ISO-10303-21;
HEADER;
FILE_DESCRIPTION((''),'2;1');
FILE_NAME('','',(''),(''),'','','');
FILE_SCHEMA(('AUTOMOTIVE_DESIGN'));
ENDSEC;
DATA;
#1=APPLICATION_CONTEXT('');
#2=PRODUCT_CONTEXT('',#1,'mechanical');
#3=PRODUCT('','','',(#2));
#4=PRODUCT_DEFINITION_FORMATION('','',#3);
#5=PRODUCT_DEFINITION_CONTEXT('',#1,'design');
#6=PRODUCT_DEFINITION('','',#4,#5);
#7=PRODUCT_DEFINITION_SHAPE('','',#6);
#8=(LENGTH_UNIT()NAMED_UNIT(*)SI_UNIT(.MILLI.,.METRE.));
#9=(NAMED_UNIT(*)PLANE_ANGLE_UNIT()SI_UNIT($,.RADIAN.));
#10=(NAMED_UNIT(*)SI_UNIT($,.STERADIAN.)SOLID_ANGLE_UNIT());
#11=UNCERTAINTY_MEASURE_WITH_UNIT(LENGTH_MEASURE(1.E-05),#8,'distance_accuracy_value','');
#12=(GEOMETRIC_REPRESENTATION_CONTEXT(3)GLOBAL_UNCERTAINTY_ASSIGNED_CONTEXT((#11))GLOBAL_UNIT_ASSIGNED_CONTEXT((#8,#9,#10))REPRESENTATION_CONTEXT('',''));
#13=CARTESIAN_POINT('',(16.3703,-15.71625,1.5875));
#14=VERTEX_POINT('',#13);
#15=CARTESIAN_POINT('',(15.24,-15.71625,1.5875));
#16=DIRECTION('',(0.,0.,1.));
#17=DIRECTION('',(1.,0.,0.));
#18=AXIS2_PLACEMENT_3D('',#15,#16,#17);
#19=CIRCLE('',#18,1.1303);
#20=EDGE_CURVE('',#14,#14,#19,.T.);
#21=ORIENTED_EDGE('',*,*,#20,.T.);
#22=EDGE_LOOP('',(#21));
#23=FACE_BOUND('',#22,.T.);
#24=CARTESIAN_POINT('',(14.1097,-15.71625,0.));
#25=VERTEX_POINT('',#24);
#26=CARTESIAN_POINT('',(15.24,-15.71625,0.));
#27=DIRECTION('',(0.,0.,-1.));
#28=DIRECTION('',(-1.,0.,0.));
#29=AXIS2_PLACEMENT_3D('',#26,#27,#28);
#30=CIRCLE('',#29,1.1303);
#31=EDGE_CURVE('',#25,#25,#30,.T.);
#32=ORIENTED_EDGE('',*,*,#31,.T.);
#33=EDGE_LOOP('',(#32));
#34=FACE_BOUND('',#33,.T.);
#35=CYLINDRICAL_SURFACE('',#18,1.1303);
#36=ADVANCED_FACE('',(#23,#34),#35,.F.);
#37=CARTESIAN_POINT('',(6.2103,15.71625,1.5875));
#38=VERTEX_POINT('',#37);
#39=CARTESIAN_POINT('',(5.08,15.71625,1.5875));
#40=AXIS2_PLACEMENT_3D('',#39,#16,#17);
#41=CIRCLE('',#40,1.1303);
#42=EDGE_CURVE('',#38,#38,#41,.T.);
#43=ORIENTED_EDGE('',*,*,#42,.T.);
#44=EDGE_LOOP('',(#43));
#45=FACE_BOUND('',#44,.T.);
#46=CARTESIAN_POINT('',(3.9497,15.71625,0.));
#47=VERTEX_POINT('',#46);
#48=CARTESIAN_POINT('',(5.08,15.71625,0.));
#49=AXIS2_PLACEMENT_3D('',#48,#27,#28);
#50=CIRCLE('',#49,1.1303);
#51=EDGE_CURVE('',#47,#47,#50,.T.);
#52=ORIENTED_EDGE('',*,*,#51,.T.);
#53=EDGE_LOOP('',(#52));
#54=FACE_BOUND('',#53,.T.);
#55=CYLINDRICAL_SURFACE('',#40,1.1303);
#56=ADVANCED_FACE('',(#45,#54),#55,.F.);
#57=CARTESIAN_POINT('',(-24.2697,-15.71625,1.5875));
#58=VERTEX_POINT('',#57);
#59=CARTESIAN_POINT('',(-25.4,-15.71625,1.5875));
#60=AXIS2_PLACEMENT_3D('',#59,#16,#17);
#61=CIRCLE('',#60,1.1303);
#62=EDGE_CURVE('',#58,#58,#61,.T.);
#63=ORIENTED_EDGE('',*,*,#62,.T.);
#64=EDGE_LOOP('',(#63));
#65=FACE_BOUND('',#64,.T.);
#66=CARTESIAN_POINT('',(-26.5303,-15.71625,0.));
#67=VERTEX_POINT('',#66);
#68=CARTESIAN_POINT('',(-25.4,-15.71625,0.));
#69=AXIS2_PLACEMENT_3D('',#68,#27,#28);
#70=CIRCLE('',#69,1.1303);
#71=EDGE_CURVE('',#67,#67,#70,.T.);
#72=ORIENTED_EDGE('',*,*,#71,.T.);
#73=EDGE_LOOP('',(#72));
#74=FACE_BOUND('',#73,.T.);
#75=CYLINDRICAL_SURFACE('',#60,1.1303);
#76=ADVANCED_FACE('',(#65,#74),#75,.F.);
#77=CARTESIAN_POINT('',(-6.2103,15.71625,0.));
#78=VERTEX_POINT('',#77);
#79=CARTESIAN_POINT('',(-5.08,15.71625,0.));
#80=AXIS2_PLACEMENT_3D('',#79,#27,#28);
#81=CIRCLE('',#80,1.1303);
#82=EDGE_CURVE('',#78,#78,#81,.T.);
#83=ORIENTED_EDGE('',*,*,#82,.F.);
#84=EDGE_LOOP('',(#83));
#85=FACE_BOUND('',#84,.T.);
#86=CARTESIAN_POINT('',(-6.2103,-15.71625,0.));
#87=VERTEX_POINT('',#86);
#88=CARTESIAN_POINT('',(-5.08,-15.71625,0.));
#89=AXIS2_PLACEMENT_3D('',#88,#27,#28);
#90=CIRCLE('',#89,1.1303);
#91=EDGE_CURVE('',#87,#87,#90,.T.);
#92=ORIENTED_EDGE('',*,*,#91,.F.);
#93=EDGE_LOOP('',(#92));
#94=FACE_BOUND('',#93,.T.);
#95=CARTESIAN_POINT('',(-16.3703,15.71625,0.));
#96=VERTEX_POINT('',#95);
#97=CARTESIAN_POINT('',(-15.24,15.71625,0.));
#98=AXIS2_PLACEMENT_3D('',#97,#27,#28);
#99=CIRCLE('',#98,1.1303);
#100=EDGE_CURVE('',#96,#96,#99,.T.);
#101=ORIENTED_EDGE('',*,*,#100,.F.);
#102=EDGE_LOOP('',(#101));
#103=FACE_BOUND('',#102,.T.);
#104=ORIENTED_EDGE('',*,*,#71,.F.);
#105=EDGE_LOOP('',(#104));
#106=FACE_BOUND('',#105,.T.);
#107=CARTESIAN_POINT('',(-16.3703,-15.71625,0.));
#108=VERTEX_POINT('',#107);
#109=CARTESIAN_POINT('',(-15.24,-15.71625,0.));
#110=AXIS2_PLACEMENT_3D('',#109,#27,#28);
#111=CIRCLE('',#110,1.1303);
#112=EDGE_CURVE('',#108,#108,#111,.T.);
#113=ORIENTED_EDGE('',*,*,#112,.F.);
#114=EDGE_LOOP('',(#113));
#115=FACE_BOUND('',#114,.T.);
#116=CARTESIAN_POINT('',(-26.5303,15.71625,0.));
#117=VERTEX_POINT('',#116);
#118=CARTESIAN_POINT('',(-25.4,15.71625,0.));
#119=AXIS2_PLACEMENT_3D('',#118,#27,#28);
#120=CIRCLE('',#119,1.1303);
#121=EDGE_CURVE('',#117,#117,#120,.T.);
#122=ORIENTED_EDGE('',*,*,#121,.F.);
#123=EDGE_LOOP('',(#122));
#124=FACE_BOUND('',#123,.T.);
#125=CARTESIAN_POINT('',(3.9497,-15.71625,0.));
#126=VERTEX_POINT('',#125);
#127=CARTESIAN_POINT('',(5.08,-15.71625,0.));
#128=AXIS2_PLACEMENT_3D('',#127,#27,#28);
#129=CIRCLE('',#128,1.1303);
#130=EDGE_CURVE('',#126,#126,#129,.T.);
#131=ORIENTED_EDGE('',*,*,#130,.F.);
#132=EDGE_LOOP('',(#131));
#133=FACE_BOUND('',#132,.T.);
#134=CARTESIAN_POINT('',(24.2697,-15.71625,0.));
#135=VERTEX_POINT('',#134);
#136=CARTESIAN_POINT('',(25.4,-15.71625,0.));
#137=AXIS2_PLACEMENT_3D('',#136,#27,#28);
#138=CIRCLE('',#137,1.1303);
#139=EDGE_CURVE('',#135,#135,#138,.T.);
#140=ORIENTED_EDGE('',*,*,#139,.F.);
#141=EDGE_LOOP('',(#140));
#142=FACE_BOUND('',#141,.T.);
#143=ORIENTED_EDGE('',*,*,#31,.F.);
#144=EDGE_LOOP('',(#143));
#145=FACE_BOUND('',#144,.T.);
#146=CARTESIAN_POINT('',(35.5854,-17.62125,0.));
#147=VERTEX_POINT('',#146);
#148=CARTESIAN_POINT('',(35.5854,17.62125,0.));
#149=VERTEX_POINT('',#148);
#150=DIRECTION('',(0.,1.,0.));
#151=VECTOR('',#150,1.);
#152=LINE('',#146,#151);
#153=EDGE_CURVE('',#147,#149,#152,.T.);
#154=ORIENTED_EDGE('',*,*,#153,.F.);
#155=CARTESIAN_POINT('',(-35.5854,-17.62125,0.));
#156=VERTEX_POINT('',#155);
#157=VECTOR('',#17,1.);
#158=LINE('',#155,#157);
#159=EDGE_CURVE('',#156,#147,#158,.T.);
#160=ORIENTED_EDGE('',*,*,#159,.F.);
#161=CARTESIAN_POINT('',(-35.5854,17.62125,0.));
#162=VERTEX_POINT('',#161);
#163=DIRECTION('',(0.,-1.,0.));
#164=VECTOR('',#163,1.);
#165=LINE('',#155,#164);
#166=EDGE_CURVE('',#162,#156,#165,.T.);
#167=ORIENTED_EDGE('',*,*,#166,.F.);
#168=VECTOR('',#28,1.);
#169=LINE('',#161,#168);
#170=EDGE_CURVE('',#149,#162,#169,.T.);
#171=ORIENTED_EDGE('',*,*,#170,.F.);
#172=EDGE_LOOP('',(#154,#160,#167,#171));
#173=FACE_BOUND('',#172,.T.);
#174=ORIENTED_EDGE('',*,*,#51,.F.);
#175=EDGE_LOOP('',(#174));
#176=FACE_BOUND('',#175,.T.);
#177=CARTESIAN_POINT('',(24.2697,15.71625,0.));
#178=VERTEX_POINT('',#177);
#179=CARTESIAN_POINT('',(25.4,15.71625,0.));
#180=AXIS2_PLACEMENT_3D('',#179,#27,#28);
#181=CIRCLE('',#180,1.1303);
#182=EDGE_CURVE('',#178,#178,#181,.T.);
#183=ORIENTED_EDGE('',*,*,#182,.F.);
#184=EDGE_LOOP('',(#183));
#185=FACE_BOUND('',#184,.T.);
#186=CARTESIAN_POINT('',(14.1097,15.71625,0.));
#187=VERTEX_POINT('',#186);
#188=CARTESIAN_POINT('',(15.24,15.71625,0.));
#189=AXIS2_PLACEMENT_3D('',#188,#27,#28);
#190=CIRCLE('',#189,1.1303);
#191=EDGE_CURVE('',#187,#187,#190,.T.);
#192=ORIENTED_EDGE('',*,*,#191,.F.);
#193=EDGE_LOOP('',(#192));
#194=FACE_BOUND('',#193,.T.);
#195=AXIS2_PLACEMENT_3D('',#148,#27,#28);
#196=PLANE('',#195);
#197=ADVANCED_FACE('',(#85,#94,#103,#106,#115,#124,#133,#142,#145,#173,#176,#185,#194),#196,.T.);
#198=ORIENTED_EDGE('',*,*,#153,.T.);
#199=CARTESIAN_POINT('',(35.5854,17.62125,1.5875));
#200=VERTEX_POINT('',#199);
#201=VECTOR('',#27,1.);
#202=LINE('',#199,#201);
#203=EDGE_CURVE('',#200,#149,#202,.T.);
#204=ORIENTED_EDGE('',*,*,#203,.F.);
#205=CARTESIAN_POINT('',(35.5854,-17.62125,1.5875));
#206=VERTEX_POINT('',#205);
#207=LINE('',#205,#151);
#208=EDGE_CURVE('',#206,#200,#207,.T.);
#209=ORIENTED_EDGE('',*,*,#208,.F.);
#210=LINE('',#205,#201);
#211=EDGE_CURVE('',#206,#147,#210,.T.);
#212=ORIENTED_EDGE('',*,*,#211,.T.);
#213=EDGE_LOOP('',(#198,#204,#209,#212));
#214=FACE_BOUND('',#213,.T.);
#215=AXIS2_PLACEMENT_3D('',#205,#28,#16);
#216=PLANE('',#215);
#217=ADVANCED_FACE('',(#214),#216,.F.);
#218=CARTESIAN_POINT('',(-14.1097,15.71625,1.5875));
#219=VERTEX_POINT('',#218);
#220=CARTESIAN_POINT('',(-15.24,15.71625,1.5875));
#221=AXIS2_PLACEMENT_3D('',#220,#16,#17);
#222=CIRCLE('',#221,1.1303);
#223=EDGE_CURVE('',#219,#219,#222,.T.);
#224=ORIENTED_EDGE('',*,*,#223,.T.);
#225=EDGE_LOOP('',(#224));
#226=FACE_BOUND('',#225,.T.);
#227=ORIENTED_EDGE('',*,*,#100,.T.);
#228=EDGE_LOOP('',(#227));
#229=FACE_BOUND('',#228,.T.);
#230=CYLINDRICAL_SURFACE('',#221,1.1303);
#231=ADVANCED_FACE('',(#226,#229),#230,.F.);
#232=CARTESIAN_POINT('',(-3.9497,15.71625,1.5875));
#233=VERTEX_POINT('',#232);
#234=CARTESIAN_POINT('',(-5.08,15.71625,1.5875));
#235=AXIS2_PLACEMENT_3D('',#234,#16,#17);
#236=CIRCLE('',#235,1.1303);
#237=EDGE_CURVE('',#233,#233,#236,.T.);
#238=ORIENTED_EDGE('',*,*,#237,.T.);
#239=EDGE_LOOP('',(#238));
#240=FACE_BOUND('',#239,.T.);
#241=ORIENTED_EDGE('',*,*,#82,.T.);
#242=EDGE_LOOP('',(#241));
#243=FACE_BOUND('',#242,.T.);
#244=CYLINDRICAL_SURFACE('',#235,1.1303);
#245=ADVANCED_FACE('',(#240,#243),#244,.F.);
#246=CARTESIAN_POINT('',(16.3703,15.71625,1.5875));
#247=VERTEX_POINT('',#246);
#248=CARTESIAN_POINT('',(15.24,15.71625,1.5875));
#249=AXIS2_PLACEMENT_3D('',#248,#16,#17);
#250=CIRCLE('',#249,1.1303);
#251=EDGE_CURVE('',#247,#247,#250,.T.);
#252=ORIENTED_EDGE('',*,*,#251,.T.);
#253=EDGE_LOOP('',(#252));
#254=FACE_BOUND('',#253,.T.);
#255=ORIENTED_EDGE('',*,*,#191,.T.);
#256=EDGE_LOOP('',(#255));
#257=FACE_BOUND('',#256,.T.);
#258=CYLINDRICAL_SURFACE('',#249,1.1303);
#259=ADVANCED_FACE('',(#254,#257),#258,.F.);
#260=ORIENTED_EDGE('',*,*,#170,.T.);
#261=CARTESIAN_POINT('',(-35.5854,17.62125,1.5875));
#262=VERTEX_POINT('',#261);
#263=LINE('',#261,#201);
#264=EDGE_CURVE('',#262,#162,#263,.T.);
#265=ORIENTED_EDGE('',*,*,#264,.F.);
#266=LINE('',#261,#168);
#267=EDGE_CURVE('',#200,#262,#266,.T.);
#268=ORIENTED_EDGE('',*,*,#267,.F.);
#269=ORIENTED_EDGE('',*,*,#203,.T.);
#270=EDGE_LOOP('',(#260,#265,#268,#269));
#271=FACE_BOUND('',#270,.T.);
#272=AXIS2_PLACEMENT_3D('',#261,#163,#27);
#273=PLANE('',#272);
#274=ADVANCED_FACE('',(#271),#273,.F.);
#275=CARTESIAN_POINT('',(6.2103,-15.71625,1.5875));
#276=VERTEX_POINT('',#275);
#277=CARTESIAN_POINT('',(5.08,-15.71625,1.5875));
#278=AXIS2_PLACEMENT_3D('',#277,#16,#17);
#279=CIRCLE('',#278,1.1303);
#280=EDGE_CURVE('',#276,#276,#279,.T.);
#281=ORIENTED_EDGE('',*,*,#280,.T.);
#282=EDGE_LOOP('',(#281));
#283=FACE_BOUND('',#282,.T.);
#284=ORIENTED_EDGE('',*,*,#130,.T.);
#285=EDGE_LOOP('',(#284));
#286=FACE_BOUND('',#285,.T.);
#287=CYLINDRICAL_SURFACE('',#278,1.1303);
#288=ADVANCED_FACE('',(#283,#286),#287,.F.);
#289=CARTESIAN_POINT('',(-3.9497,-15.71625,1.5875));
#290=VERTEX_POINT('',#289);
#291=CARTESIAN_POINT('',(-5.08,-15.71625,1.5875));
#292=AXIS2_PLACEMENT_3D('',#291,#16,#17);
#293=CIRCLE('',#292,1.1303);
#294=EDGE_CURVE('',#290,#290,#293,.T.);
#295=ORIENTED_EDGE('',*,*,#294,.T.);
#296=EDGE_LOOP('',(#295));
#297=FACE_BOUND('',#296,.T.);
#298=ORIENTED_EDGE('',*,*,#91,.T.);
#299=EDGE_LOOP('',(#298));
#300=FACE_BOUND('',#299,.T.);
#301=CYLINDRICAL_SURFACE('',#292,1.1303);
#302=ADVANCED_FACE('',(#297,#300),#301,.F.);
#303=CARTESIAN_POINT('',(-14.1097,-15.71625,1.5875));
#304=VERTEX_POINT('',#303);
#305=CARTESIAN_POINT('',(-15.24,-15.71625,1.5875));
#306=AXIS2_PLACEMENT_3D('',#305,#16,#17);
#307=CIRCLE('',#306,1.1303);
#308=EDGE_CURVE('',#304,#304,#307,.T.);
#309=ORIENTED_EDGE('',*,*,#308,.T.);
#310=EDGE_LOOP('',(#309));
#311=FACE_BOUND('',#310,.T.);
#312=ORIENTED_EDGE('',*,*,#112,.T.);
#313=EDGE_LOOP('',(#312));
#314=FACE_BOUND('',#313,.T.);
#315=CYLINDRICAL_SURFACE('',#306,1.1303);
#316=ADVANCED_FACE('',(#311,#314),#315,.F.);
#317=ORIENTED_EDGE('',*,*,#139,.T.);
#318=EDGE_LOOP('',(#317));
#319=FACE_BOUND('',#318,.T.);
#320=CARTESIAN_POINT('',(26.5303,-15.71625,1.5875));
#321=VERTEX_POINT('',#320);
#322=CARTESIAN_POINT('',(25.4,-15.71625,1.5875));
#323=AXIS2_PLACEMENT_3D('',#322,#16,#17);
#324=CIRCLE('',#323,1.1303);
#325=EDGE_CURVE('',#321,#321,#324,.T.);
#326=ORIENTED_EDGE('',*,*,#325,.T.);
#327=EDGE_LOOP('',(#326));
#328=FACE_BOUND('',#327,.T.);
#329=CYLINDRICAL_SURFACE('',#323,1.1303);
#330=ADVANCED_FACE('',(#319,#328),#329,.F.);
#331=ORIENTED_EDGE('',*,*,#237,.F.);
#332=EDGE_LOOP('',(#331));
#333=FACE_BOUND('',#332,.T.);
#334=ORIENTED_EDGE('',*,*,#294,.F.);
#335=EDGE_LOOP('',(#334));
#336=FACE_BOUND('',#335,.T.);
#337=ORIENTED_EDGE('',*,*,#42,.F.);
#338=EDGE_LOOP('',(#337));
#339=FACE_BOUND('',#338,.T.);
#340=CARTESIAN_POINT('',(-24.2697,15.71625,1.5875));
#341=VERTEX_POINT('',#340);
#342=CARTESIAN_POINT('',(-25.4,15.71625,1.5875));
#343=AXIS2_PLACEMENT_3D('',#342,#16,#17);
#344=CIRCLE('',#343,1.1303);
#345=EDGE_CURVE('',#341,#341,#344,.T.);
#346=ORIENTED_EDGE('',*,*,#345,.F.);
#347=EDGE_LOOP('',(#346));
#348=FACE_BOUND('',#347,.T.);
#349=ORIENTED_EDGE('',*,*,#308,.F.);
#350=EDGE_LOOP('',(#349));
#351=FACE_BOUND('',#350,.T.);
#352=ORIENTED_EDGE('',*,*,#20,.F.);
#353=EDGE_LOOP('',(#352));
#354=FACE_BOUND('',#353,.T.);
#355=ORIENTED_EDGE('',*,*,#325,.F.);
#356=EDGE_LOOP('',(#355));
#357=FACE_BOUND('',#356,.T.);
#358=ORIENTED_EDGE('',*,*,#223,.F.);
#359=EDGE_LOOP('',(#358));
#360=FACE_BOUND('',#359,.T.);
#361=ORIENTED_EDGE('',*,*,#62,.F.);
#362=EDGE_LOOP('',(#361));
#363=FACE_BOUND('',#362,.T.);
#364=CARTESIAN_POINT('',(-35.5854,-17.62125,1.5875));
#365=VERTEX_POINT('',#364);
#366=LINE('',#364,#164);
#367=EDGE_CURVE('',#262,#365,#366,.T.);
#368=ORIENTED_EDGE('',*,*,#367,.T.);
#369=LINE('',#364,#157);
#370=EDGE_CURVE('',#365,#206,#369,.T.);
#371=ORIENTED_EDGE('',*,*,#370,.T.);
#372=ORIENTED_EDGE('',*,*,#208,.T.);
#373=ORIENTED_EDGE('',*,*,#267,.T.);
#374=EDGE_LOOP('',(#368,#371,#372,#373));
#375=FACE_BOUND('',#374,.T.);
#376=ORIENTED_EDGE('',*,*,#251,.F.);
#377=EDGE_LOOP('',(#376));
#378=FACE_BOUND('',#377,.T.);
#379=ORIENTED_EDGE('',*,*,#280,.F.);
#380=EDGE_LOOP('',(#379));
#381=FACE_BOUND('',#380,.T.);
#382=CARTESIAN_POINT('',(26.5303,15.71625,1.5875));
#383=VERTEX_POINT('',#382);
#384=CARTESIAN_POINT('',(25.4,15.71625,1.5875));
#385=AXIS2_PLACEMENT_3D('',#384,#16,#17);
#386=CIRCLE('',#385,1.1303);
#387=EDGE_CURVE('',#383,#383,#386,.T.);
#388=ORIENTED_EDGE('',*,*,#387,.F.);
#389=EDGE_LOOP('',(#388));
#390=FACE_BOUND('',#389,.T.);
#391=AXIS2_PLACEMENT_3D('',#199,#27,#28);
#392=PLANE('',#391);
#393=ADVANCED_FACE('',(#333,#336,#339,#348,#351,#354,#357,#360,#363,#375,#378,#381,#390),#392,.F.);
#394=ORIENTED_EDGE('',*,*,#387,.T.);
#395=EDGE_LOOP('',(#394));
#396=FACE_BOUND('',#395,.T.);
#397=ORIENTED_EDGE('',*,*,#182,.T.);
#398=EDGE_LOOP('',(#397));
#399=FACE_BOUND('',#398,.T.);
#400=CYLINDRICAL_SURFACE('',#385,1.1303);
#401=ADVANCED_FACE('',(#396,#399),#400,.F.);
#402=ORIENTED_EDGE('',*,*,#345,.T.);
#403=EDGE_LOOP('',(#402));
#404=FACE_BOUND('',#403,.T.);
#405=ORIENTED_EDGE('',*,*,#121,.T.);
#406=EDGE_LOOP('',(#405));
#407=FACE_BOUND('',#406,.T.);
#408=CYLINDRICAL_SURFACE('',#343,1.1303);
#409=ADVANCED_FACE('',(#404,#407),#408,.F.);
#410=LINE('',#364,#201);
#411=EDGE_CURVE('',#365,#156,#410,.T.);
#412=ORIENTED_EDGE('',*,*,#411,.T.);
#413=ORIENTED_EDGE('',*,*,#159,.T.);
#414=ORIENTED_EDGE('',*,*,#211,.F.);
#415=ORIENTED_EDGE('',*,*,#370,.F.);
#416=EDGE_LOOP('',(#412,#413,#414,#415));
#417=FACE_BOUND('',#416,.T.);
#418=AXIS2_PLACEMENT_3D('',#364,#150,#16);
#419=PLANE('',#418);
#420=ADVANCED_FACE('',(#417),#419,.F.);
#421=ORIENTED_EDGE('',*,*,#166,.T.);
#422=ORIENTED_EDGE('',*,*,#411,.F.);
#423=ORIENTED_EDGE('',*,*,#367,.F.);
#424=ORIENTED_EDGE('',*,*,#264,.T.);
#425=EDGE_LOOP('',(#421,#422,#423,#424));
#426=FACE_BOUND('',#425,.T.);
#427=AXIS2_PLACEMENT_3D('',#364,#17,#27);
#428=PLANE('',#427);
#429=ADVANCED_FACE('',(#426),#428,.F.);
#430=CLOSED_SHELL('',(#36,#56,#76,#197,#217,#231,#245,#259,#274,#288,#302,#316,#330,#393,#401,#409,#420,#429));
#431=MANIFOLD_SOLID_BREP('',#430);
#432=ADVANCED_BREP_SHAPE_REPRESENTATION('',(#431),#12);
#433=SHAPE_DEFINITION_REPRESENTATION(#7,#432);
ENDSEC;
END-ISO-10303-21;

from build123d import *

# Parameters (mm, degrees)
SKETCH1_W           = 71.1708
SKETCH1_H           = 35.2425
BOSS_EXTRUDE1_DEPTH = 1.5875
LPATTERN1_COUNT     = 6
LPATTERN1_PITCH     = 10.16


with BuildPart() as part:
    # Sketch1 → Boss-Extrude1 (new body)
    with BuildSketch(Plane.XY):
        Rectangle(SKETCH1_W, SKETCH1_H)
    extrude(amount=BOSS_EXTRUDE1_DEPTH)

    # Sketch3 → #2 Clearance Hole1 (revolve, cut)
    with BuildSketch(Plane(origin=(-25.4, 15.71625, 1.5875), x_dir=(0, -1, 0), z_dir=(1, 0, 0))):
        Polygon((0, 0), (0, 3.854152758), (1.1303, 3.175), (1.1303, 0), align=None)
    f_2_clearance_hole1 = revolve(axis=Axis((-25.4, 15.71625, 7.9375), (0, 0, -1)), mode=Mode.SUBTRACT)

    # LPattern1: #2 Clearance Hole1 ×6
    with Locations(*[(i * LPATTERN1_PITCH, 0, 0) for i in range(1, LPATTERN1_COUNT)]):
        add(f_2_clearance_hole1, mode=Mode.SUBTRACT)

    # Mirror1: #2 Clearance Hole1 across plane
    add(f_2_clearance_hole1.mirror(Plane.ZX), mode=Mode.SUBTRACT)

    # Mirror1 copy 1 sketch → Mirror1 copy 1 (revolve, cut)
    with BuildSketch(Plane(origin=(-15.24, -15.71625, 1.5875), x_dir=(0, 1, 0), z_dir=(1, 0, 0))):
        Polygon((0, 0), (0, -3.854152758), (1.1303, -3.175), (1.1303, 0), align=None)
    revolve(axis=Axis((-15.24, -15.71625, 7.9375), (0, 0, 1)), mode=Mode.SUBTRACT)

    # Mirror1 copy 2 sketch → Mirror1 copy 2 (revolve, cut)
    with BuildSketch(Plane(origin=(-5.08, -15.71625, 1.5875), x_dir=(0, 1, 0), z_dir=(1, 0, 0))):
        Polygon((0, 0), (0, -3.854152758), (1.1303, -3.175), (1.1303, 0), align=None)
    revolve(axis=Axis((-5.08, -15.71625, 7.9375), (0, 0, 1)), mode=Mode.SUBTRACT)

    # Mirror1 copy 3 sketch → Mirror1 copy 3 (revolve, cut)
    with BuildSketch(Plane(origin=(5.08, -15.71625, 1.5875), x_dir=(0, 1, 0), z_dir=(1, 0, 0))):
        Polygon((0, 0), (0, -3.854152758), (1.1303, -3.175), (1.1303, 0), align=None)
    revolve(axis=Axis((5.08, -15.71625, 7.9375), (0, 0, 1)), mode=Mode.SUBTRACT)

    # Mirror1 copy 4 sketch → Mirror1 copy 4 (revolve, cut)
    with BuildSketch(Plane(origin=(15.24, -15.71625, 1.5875), x_dir=(0, 1, 0), z_dir=(1, 0, 0))):
        Polygon((0, 0), (0, -3.854152758), (1.1303, -3.175), (1.1303, 0), align=None)
    revolve(axis=Axis((15.24, -15.71625, 7.9375), (0, 0, 1)), mode=Mode.SUBTRACT)

    # Mirror1 copy 5 sketch → Mirror1 copy 5 (revolve, cut)
    with BuildSketch(Plane(origin=(25.4, -15.71625, 1.5875), x_dir=(0, 1, 0), z_dir=(1, 0, 0))):
        Polygon((0, 0), (0, -3.854152758), (1.1303, -3.175), (1.1303, 0), align=None)
    revolve(axis=Axis((25.4, -15.71625, 7.9375), (0, 0, 1)), mode=Mode.SUBTRACT)


solid = part.part
